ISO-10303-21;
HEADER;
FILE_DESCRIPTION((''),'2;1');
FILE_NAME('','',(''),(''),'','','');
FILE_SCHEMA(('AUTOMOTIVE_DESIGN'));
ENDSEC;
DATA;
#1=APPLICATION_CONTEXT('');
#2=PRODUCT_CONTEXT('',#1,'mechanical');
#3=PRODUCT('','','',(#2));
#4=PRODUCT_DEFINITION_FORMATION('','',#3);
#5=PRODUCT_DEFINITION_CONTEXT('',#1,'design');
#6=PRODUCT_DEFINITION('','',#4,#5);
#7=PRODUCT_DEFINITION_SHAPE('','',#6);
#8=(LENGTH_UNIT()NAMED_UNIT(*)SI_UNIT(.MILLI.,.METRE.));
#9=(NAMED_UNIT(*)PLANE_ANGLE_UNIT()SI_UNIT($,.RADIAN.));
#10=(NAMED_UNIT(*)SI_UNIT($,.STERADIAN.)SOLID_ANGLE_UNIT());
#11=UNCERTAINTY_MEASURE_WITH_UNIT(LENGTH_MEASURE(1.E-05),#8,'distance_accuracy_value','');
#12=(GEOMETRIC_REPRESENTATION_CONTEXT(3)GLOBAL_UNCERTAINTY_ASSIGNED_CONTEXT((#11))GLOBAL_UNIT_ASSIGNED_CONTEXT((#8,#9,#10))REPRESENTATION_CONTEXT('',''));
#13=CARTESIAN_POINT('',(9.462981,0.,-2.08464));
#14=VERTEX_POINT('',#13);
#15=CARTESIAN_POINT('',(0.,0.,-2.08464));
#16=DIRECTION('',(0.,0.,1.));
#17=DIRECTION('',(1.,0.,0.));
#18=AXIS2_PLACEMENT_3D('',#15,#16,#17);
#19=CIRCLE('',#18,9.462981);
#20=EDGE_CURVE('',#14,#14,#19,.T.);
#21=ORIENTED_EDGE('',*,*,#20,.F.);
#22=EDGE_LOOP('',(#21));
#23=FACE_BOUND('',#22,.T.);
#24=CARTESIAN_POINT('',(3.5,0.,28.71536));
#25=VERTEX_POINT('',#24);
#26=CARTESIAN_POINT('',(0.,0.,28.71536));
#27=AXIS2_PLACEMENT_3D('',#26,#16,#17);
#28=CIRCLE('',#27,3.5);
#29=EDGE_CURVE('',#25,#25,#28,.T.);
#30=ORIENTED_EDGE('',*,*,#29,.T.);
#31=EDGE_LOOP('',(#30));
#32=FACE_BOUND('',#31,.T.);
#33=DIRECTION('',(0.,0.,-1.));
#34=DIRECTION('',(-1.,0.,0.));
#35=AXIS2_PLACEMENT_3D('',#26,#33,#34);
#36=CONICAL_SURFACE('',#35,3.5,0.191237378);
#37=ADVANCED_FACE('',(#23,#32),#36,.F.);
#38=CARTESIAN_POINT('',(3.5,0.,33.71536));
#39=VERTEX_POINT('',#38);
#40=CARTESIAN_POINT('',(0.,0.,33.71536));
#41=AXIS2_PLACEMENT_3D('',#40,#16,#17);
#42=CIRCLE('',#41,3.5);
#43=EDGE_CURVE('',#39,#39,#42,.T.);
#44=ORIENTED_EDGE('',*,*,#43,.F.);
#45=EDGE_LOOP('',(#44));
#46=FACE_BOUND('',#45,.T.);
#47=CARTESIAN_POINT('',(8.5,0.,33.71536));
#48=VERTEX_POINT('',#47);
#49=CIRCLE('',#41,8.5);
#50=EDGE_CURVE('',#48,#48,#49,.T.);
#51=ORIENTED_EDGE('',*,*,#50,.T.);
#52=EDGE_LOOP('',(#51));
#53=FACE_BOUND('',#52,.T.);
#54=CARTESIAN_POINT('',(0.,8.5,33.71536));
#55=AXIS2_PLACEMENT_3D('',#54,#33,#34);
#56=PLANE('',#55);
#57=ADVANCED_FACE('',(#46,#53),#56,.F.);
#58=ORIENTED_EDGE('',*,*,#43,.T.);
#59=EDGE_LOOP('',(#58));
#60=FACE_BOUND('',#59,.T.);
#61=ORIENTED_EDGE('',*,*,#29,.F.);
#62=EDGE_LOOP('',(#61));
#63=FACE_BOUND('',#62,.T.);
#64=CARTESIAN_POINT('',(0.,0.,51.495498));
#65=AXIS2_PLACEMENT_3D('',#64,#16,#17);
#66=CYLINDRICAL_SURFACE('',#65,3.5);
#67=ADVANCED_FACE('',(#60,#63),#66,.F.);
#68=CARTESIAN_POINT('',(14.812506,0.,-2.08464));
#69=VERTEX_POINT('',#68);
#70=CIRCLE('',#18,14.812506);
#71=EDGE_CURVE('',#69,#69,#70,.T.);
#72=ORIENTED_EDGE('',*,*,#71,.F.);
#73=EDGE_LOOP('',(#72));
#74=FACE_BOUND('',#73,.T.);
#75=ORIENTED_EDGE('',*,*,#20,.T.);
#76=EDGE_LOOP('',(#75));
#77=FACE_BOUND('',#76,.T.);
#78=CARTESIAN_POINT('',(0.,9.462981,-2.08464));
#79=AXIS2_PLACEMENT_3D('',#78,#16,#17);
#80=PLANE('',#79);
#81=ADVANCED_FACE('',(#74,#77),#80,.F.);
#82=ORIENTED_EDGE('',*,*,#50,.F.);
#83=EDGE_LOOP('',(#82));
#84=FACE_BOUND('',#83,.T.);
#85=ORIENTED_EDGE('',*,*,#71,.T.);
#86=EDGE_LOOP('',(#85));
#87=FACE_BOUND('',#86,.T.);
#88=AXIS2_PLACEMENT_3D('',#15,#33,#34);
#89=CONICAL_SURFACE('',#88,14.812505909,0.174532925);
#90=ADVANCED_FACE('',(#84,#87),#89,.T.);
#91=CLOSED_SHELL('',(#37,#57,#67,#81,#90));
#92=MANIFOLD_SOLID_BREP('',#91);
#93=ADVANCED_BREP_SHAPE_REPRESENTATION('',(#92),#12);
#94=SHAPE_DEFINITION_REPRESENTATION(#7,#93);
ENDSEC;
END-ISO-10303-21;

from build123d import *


with BuildPart() as part:
    # Sketch1 → Revolve1 (revolve)
    with BuildSketch(Plane(origin=(0, 0, 0), x_dir=(0, 0, -1), z_dir=(1, 0, 0)), mode=Mode.PRIVATE) as revolve1_sk:
        Polygon((-33.715360463, 3.5), (-28.715360463, 3.5), (2.084639537, 9.462981285), (2.084639537, 14.812505909), (-33.715360463, 8.5), align=None)
    revolve(revolve1_sk.sketch.rotate(Axis((0, 0, 51.495497957), (0, 0, -1)), 90), axis=Axis((0, 0, 51.495497957), (0, 0, -1)))


solid = part.part
